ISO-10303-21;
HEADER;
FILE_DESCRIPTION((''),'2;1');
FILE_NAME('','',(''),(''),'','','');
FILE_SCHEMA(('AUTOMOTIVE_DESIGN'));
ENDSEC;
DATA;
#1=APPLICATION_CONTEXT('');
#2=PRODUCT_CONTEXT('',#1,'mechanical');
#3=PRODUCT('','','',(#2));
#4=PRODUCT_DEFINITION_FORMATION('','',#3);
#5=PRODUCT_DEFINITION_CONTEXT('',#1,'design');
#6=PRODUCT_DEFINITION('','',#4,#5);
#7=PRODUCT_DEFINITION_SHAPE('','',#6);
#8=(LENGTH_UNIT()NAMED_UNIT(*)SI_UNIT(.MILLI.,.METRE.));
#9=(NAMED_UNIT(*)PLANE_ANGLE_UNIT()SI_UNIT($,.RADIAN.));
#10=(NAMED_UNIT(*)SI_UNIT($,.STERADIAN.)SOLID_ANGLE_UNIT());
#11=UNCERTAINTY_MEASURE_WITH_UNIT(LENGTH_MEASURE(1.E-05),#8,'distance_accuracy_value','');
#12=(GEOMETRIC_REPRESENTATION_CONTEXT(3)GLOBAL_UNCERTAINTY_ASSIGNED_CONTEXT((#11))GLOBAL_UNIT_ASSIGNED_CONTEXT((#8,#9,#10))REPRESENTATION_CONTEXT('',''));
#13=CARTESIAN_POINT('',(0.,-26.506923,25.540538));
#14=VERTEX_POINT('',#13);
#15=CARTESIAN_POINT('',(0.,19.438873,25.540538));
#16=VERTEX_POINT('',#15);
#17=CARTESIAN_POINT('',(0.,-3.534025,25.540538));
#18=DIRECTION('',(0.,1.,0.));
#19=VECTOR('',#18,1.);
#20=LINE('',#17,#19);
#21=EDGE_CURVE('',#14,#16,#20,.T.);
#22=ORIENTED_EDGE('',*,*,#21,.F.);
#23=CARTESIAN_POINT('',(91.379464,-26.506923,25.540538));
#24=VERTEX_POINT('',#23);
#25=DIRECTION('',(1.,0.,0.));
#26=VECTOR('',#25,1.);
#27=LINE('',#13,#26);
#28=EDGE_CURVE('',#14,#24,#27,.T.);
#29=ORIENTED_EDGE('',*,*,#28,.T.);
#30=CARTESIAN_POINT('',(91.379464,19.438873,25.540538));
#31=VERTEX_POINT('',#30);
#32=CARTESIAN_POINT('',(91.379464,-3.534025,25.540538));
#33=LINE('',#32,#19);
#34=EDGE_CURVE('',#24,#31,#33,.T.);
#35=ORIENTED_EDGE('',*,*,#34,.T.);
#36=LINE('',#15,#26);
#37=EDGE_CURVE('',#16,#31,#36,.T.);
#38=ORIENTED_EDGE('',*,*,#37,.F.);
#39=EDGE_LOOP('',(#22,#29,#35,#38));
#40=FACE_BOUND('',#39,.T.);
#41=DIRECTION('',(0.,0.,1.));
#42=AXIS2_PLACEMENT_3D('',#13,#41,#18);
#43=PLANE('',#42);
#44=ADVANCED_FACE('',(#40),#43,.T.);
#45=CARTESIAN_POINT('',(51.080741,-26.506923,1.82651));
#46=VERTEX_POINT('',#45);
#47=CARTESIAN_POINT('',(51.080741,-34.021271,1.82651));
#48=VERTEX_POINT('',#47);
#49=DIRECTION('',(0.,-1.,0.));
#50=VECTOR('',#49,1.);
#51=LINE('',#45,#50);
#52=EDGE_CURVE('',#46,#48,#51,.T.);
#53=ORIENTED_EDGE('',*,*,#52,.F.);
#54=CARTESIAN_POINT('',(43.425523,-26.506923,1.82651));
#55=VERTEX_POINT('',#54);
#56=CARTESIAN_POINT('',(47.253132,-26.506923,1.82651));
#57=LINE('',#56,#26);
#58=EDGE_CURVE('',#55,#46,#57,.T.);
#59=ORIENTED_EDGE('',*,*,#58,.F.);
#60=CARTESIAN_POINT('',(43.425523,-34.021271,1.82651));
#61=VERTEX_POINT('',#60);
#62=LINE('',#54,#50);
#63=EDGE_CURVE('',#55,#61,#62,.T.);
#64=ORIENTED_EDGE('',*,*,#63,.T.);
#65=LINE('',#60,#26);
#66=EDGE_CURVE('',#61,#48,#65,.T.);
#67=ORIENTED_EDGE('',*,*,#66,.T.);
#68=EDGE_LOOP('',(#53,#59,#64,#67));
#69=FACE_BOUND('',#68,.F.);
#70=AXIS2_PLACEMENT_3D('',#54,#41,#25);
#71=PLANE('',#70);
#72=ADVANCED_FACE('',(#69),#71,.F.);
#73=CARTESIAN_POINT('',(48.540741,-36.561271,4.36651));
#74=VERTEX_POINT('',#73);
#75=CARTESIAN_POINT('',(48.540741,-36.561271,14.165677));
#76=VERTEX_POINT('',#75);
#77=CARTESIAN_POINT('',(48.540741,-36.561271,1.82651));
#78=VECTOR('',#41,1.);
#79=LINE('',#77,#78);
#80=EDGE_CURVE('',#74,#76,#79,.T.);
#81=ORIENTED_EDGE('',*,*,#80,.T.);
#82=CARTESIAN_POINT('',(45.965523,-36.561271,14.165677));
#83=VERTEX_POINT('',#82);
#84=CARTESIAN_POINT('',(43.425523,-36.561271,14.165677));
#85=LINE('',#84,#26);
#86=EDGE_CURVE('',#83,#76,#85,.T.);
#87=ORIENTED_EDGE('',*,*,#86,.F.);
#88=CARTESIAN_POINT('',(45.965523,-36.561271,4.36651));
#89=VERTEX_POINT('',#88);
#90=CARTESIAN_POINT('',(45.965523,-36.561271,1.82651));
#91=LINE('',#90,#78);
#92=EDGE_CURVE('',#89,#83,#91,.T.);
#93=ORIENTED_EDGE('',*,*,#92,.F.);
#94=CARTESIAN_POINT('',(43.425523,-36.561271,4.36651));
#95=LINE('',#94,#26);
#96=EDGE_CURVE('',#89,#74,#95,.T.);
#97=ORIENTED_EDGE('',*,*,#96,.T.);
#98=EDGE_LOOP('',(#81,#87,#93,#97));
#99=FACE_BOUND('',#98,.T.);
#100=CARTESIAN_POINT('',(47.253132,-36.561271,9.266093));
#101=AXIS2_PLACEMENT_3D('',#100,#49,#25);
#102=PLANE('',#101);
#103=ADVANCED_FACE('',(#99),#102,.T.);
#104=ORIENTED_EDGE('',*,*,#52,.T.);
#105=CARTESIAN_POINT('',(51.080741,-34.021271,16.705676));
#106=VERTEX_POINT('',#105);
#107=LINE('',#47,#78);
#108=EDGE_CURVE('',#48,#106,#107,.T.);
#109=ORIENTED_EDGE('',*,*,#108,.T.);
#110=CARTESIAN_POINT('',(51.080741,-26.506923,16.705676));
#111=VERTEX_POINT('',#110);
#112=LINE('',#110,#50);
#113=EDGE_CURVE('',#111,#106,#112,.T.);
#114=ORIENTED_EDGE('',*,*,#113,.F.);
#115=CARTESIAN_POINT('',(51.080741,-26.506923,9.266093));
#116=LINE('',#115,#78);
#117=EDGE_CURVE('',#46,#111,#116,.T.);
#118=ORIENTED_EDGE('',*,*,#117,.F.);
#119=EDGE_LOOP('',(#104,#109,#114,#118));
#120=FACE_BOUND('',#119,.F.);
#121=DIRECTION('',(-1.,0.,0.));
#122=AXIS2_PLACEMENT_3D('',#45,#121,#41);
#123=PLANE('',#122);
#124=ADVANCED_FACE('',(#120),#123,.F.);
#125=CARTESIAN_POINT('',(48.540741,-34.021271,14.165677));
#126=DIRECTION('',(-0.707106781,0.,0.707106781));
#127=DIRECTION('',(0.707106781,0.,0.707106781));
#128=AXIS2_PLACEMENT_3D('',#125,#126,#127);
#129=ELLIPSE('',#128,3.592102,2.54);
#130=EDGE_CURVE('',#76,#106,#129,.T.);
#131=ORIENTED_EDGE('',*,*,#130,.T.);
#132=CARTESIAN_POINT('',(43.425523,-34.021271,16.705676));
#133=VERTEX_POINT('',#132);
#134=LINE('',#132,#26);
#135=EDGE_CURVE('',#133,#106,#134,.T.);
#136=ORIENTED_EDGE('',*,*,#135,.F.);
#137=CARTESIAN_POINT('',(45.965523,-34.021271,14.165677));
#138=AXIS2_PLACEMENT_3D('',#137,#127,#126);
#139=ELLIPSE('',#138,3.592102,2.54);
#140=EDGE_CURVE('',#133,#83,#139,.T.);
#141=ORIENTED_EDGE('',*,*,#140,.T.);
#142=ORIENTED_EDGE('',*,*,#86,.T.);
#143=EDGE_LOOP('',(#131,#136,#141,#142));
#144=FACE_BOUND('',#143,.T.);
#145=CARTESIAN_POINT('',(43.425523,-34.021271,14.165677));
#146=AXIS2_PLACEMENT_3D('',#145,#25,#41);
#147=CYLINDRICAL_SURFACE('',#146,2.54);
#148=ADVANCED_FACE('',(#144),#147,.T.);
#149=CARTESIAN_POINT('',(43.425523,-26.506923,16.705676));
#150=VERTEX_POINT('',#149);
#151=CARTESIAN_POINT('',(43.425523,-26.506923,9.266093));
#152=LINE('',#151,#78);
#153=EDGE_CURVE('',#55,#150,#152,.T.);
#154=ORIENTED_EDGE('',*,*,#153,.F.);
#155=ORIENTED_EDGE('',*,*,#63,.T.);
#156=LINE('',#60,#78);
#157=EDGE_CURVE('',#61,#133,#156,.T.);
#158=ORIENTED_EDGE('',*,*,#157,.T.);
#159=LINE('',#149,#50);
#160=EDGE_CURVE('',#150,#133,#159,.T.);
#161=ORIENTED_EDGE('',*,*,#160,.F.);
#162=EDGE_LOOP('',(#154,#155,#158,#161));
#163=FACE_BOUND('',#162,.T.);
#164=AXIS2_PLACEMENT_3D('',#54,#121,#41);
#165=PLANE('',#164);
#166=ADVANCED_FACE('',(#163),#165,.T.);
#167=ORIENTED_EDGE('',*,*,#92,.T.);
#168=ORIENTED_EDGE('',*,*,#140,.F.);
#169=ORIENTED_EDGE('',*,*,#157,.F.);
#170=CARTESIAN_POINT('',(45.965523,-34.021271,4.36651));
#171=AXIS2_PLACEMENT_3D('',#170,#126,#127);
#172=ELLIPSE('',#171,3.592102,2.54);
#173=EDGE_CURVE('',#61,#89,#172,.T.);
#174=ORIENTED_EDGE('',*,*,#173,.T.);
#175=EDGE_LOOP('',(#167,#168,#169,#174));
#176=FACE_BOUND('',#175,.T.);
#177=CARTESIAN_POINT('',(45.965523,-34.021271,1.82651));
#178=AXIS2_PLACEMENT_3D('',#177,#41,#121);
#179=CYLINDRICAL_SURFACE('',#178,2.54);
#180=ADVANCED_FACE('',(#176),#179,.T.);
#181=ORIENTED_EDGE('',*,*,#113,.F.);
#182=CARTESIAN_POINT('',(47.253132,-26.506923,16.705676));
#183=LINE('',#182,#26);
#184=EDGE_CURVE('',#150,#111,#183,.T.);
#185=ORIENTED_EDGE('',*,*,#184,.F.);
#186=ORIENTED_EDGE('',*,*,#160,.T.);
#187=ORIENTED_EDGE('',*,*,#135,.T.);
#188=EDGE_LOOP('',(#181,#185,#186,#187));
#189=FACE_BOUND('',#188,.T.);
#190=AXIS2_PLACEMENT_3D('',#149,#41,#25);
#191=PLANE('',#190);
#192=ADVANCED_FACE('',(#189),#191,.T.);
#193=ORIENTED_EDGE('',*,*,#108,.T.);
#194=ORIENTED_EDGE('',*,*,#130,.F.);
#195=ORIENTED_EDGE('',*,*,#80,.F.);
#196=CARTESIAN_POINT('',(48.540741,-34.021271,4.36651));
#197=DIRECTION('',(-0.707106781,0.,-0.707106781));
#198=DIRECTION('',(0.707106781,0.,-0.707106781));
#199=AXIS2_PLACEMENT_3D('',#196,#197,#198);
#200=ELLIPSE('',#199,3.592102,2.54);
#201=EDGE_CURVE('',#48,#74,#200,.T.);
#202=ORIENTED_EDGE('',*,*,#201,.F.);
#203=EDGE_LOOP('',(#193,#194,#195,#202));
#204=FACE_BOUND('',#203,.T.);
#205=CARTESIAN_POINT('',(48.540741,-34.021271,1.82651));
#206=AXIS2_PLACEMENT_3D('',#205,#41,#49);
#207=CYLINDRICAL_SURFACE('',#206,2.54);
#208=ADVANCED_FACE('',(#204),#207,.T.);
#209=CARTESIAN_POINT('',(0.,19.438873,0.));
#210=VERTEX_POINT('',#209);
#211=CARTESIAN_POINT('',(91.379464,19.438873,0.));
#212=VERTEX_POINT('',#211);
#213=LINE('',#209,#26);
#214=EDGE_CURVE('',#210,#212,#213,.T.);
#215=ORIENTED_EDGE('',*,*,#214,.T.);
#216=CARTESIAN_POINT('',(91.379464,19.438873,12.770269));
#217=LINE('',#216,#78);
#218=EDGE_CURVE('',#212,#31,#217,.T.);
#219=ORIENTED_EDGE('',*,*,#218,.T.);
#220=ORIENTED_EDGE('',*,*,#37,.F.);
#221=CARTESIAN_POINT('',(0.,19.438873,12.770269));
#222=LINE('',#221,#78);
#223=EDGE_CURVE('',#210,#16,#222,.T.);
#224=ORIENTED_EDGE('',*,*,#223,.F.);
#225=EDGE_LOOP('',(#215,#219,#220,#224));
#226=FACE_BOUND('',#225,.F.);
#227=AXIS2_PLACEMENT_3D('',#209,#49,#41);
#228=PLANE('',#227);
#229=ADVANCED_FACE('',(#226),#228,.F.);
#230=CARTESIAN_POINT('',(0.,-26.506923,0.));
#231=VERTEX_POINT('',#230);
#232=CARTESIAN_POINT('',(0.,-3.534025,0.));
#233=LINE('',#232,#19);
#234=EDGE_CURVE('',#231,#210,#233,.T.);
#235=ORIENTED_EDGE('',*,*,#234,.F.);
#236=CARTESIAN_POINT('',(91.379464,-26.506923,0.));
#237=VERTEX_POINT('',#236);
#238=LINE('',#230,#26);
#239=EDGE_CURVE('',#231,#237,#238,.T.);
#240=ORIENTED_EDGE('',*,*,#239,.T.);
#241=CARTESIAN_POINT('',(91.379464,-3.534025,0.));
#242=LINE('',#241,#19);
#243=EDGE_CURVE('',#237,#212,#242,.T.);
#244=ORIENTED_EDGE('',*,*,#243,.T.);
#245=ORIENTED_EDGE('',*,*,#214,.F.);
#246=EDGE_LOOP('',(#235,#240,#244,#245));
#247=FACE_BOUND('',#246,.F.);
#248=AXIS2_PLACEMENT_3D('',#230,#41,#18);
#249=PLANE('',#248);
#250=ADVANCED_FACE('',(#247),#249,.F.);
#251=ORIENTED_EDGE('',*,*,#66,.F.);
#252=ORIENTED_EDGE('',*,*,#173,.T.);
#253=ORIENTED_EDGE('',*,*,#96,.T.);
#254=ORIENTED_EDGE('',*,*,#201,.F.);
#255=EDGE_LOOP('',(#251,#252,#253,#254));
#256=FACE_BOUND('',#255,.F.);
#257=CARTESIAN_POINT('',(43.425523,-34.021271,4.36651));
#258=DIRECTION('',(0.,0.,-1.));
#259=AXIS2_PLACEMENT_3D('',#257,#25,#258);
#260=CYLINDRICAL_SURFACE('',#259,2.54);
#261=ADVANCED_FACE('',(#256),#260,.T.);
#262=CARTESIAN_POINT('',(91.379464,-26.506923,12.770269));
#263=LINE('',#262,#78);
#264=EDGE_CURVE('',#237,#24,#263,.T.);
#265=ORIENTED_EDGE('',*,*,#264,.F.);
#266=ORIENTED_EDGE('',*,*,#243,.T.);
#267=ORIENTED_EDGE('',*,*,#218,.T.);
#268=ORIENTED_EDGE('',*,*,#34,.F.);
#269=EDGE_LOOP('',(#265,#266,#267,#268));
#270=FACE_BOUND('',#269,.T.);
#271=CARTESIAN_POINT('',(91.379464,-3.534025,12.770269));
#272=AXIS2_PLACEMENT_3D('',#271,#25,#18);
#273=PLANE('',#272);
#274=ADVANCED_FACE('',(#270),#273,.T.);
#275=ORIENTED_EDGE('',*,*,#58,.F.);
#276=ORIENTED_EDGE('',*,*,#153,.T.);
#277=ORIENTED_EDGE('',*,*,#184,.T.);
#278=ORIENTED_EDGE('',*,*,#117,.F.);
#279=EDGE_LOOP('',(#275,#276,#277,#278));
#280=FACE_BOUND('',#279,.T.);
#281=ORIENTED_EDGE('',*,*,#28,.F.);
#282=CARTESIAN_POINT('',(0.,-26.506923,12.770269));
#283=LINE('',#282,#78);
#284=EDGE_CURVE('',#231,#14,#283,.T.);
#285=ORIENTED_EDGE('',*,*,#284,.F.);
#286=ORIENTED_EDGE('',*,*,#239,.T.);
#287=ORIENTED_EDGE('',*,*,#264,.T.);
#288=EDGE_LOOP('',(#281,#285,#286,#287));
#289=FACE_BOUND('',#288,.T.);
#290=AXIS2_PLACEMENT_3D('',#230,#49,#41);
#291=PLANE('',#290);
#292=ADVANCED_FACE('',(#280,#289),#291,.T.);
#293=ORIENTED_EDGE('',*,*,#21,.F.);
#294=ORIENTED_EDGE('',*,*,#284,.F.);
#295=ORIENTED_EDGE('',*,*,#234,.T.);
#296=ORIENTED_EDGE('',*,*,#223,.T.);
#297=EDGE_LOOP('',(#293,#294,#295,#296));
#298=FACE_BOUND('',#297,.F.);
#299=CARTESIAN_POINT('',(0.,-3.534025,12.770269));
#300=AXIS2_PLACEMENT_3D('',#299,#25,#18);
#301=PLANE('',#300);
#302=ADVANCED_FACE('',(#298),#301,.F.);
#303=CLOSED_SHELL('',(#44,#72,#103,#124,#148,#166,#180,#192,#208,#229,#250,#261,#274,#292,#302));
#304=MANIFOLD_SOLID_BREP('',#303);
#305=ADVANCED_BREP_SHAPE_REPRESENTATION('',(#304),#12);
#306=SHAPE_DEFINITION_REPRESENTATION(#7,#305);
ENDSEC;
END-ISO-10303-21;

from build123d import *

# Parameters (mm, degrees)
F0_W     = 45.945797
F0_H     = 25.540538
F1_DEPTH = 91.379464
F2_W     = 7.655218
F2_H     = 14.879167
F3_DEPTH = 10.054348
F4_R     = 2.54


with BuildPart() as f1:
    # F0 (on Right) → F1 (new body)
    with BuildSketch(Plane.YZ):
        with Locations((-3.534025, 12.770269)):
            Rectangle(F0_W, F0_H)
    extrude(amount=F1_DEPTH)

    # F2 (on face) → F3 (join)
    with BuildSketch(Plane.XZ.offset(26.506923)):
        with Locations((47.253132, 9.266093)):
            Rectangle(F2_W, F2_H)
    extrude(amount=F3_DEPTH)

    # F4
    f4_edges = [f1.edges().sort_by_distance(p)[0] for p in [
        (43.425523, -36.561271, 9.266093),
        (47.253132, -36.561271, 1.82651),
        (51.080741, -36.561271, 9.266093),
        (47.253132, -36.561271, 16.705677),
    ]]
    fillet(f4_edges, radius=F4_R)


solid = f1.part
